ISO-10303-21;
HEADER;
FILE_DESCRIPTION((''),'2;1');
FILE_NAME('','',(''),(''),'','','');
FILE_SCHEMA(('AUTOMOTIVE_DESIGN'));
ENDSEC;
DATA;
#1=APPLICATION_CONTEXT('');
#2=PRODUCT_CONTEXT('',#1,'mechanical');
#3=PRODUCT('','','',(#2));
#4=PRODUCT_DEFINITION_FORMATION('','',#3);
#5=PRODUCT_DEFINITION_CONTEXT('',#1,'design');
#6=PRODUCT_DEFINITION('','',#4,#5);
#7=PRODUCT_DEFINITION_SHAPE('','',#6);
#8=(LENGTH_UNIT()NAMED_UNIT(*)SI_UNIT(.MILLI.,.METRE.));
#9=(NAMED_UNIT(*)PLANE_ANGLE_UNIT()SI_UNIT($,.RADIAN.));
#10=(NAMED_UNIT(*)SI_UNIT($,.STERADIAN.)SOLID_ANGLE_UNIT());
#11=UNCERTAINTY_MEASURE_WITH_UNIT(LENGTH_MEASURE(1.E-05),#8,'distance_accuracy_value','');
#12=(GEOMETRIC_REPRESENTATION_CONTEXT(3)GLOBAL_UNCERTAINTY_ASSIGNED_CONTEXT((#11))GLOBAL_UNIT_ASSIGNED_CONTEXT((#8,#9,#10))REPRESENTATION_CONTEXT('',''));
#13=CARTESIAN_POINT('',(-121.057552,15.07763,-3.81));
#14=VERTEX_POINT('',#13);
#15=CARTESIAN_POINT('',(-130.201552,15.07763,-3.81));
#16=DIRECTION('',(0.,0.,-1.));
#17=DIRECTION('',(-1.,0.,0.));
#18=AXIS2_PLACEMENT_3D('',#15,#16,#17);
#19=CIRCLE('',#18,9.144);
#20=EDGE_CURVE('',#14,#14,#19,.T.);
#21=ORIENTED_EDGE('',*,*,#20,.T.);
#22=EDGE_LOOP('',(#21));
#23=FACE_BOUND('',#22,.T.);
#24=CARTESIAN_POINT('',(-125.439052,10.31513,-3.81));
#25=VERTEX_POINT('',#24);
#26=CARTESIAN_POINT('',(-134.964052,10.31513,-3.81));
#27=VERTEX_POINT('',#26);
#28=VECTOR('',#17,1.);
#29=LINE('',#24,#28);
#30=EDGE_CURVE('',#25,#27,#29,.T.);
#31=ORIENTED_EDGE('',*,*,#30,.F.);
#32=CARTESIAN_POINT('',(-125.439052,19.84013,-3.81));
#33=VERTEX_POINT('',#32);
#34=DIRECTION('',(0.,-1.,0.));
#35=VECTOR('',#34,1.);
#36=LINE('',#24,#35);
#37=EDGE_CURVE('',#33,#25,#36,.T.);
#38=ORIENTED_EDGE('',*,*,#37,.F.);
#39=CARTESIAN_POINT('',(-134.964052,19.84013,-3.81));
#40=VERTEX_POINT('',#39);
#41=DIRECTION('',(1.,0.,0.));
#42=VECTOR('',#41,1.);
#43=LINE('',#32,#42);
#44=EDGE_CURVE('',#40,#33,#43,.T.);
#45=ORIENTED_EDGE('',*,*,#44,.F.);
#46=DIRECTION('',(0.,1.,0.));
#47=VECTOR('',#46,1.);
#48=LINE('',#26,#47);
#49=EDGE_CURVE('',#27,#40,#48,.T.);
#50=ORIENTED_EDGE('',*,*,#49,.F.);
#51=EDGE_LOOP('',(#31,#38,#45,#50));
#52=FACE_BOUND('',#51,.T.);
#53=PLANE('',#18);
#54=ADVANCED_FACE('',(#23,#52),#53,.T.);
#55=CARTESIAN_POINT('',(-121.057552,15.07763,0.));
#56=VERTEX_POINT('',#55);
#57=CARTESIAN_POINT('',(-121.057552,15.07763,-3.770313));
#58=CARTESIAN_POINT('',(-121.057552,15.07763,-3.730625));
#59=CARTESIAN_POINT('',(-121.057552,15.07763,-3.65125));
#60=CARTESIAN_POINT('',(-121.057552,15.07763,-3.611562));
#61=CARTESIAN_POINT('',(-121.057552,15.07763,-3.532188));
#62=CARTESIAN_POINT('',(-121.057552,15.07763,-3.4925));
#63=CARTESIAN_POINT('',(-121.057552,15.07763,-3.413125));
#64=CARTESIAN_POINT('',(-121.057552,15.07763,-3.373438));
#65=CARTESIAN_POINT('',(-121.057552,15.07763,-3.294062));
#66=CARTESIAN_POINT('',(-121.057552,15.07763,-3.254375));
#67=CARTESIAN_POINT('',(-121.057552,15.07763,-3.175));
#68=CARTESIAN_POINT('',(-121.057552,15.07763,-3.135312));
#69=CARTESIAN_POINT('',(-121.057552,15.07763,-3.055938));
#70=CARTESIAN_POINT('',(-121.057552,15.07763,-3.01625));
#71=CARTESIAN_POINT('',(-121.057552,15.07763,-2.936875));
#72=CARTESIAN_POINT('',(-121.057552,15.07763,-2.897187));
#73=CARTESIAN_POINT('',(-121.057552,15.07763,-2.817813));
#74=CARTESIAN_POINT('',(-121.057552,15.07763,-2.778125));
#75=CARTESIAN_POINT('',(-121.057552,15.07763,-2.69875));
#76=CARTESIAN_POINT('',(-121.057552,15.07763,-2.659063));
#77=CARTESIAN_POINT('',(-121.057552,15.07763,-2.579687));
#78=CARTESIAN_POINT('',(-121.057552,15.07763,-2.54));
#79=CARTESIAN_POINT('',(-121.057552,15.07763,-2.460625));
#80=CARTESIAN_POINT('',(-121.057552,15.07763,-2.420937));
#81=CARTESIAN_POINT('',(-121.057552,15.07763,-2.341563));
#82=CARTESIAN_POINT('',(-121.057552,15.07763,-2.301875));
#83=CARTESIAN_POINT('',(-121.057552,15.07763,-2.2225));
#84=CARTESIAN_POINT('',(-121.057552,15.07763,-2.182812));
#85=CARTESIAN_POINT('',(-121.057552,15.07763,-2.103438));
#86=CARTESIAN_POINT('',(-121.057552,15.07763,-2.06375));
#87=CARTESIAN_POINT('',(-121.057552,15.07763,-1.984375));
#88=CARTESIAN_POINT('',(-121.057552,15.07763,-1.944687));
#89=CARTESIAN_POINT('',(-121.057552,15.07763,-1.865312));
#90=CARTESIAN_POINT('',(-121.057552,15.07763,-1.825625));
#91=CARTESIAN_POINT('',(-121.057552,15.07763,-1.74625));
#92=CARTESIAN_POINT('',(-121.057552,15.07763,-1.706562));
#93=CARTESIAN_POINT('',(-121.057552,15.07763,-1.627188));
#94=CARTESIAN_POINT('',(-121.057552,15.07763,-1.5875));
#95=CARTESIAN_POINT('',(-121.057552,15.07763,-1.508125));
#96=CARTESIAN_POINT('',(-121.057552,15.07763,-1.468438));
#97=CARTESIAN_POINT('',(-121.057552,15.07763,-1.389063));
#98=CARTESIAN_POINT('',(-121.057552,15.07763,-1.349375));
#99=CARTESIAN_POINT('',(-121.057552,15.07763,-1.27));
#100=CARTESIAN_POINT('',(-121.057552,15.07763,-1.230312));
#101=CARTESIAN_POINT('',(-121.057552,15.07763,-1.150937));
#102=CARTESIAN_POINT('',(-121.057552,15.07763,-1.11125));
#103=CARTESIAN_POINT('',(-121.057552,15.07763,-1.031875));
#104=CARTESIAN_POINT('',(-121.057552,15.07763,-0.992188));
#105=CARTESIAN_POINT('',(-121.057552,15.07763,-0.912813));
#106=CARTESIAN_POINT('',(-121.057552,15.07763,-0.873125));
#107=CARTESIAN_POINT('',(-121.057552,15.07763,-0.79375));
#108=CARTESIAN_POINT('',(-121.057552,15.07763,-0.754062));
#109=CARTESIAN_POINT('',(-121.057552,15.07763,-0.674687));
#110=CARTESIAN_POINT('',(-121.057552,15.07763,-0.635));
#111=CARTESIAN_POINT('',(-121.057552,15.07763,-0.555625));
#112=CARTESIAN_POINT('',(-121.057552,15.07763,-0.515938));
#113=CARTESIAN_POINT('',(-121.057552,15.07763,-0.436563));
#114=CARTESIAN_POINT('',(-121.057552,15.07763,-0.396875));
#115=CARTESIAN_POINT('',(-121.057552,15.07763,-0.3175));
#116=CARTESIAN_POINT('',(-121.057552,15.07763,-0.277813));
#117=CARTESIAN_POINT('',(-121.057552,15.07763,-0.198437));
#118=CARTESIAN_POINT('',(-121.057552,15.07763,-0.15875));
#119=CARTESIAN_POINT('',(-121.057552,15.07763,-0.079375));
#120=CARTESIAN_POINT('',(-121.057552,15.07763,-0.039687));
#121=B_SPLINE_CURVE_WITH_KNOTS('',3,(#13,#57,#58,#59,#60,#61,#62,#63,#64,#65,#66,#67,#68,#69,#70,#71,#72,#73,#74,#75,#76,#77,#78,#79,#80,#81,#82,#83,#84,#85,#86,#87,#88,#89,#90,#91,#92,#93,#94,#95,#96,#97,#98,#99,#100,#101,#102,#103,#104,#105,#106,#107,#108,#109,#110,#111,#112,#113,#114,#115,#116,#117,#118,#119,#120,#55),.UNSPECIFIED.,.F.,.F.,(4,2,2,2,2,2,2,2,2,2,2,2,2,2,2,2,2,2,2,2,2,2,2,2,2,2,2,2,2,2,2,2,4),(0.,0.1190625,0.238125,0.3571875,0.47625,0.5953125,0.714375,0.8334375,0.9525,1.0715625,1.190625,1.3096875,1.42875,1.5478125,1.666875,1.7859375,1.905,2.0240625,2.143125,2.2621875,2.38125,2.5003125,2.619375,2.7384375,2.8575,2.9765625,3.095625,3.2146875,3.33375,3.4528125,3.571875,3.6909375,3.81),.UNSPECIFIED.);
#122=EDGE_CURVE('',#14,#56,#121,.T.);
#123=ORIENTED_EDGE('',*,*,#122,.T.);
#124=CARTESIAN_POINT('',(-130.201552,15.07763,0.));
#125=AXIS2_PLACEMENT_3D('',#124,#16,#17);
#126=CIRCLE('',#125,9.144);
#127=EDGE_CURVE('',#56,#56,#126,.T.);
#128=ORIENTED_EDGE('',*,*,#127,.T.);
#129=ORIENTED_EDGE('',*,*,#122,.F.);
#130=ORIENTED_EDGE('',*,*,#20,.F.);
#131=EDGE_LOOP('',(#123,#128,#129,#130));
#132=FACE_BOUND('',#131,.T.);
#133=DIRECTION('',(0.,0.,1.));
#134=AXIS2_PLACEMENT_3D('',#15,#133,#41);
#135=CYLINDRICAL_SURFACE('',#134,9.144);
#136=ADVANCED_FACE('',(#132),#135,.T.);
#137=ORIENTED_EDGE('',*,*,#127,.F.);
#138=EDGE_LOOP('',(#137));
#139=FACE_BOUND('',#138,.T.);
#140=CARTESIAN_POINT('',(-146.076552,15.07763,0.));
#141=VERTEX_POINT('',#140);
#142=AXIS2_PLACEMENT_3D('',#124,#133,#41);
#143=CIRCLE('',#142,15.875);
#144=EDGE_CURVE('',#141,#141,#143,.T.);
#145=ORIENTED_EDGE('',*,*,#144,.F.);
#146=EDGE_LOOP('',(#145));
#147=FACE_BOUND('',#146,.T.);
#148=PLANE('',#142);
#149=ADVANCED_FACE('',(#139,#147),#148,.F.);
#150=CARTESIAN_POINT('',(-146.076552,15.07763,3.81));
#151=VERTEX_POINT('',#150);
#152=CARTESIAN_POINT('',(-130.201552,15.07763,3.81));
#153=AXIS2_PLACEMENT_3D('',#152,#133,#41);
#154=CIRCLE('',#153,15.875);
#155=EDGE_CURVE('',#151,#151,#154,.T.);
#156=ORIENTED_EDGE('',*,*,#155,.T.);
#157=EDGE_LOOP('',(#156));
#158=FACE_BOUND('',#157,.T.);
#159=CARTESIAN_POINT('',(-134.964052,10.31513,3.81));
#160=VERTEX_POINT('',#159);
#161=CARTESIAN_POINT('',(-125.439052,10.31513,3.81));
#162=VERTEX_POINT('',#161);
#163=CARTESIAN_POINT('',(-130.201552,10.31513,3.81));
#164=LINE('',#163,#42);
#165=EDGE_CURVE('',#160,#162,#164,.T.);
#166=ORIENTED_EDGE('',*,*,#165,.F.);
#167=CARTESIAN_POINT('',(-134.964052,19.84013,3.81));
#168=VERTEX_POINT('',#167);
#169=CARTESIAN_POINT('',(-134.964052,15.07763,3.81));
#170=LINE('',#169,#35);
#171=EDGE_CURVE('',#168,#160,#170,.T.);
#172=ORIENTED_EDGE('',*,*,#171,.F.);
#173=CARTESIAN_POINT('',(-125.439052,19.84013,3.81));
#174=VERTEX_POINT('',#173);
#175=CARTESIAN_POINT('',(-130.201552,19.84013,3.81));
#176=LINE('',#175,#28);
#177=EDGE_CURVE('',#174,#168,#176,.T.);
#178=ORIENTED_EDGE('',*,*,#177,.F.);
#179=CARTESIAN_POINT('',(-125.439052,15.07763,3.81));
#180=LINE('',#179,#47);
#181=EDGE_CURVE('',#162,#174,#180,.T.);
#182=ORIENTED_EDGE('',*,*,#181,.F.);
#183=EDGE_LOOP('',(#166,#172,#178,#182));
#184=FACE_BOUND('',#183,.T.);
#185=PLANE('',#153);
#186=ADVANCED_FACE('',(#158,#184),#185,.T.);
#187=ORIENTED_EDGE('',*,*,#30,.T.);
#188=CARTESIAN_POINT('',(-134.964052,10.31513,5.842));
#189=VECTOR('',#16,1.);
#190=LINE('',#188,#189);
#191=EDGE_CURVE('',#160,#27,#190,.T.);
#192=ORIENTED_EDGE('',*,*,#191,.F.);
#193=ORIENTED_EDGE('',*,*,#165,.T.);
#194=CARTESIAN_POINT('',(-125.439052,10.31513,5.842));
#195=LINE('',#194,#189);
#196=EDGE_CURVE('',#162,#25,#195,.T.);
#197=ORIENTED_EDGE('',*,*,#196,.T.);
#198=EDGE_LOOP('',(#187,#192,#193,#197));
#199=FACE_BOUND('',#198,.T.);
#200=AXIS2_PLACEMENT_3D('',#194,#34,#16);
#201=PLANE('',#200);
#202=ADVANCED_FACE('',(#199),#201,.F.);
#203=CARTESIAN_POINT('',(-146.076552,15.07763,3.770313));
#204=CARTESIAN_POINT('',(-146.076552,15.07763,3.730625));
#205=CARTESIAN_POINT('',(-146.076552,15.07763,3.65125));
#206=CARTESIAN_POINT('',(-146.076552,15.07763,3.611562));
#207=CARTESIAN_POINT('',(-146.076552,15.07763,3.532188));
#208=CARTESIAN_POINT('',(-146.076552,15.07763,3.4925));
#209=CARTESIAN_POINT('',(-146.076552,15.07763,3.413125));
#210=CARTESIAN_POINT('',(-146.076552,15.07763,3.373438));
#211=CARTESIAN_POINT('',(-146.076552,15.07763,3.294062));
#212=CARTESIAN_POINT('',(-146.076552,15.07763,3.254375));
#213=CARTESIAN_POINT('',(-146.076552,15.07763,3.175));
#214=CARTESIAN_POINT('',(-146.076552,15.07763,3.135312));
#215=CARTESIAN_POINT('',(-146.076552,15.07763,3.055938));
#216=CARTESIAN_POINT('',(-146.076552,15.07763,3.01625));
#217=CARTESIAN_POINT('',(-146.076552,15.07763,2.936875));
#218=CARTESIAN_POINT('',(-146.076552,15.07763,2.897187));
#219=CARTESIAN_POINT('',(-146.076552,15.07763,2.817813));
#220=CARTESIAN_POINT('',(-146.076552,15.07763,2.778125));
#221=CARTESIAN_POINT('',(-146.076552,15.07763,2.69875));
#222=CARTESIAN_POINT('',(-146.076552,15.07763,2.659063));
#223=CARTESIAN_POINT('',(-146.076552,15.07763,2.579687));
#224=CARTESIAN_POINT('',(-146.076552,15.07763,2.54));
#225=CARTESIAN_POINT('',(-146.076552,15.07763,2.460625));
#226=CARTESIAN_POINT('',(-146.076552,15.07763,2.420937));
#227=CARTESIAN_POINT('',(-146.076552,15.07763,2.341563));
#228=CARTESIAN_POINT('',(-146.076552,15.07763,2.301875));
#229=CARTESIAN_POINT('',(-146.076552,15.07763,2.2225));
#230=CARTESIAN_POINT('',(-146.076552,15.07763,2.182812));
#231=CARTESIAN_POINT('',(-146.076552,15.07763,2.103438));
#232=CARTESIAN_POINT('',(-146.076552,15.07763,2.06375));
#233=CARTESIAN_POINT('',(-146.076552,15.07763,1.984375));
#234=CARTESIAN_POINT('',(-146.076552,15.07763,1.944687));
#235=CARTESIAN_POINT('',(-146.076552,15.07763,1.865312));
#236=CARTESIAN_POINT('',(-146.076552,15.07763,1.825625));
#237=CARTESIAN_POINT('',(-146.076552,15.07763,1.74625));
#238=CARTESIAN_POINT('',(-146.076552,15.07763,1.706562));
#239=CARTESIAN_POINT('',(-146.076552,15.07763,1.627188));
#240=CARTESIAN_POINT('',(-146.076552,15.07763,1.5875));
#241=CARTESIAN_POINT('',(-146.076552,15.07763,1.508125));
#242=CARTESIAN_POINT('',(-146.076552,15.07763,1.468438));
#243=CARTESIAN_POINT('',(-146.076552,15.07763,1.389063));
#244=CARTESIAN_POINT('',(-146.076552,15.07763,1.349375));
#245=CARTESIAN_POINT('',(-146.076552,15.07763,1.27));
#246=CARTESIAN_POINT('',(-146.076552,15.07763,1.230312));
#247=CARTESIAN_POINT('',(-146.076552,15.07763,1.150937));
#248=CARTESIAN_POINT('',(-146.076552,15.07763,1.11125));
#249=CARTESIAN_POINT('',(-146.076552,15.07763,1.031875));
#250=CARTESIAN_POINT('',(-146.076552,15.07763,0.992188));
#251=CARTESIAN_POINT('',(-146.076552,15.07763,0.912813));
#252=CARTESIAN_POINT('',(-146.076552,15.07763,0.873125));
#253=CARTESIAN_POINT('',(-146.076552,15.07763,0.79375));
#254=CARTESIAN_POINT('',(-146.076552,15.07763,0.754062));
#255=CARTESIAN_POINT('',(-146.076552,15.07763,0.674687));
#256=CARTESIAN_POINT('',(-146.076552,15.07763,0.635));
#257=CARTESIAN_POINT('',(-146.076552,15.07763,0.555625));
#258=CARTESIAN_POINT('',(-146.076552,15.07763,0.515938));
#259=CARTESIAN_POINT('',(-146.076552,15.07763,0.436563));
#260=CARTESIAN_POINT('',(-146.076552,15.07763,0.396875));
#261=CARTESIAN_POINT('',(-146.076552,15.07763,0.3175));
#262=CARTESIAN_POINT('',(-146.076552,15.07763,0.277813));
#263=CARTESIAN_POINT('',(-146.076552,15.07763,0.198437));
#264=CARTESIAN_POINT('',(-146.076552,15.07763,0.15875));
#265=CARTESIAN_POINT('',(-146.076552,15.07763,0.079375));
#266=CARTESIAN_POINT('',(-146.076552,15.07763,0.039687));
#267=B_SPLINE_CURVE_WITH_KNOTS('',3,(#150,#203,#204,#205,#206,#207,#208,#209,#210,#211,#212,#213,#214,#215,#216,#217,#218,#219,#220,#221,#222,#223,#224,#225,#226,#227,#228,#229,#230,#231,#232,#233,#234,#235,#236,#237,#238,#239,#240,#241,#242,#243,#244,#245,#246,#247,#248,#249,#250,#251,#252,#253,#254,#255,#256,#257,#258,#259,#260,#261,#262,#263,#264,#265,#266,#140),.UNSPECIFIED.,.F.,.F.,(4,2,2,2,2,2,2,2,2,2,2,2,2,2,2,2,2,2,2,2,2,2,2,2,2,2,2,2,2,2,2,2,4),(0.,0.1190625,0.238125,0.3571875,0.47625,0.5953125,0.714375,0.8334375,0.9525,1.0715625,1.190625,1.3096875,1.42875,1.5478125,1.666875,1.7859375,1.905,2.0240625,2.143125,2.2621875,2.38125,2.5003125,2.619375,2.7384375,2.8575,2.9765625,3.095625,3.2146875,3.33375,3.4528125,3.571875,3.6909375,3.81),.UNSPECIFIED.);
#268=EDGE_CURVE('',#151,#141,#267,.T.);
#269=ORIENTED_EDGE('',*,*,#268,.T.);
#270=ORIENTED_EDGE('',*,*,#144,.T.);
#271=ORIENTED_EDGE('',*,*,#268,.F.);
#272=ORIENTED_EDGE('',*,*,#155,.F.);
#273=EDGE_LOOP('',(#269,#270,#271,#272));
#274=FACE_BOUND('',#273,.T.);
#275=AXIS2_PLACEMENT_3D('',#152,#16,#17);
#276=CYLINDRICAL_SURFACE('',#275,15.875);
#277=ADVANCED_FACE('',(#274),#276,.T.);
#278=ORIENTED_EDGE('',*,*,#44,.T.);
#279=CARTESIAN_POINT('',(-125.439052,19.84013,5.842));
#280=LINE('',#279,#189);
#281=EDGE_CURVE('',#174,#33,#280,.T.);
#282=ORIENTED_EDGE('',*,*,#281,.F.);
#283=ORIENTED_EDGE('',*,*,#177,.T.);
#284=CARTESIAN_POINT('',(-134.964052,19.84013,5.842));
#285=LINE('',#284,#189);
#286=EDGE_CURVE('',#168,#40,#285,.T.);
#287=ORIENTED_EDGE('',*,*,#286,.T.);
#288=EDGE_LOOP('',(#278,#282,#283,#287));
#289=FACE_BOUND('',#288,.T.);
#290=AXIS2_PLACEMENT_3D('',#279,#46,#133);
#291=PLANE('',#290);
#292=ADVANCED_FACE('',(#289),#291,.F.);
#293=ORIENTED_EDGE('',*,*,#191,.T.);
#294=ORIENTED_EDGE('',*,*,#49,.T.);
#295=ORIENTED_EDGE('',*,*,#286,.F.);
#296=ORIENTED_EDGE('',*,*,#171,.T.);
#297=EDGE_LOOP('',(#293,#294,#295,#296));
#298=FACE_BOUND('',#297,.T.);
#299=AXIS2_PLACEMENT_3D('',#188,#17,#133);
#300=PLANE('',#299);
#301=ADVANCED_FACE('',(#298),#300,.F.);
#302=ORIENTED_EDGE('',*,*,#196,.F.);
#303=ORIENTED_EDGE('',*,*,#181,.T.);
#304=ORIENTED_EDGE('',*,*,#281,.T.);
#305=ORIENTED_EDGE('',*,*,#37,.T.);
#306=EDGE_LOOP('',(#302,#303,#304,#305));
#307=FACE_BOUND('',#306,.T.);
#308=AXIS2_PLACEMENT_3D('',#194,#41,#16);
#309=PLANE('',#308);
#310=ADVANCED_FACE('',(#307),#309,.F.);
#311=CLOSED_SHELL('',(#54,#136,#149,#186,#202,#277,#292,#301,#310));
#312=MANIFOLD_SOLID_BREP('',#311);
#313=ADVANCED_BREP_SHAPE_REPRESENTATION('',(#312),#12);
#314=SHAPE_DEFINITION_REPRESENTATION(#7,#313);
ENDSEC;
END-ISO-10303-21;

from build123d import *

# Parameters (mm, degrees)
SKETCH1_R           = 15.875
BOSS_EXTRUDE1_DEPTH = 3.81
SKETCH2_R           = 9.144
BOSS_EXTRUDE2_DEPTH = 3.81
SKETCH3_W           = 9.525
SKETCH3_H           = 9.525
CUT_EXTRUDE1_DEPTH  = 9.652


with BuildPart() as part:
    # Sketch1 → Boss-Extrude1 (new body)
    with BuildSketch(Plane.XY):
        with Locations(Location((-130.201551665, 15.077630219, 0), (0, 0, 180))):
            Circle(SKETCH1_R)
    extrude(amount=BOSS_EXTRUDE1_DEPTH)

    # Sketch2 → Boss-Extrude2 (add)
    with BuildSketch(Plane(origin=(0, 0, 0), x_dir=(-1, 0, 0), z_dir=(0, 0, -1))):
        with Locations(Location((130.201551665, 15.077630219, 0), (0, 0, 180))):
            Circle(SKETCH2_R)
    extrude(amount=BOSS_EXTRUDE2_DEPTH)

    # Sketch3 → Cut-Extrude1 (cut)
    with BuildSketch(Plane(origin=(0, 0, -3.81), x_dir=(-1, 0, 0), z_dir=(0, 0, -1))):
        with Locations((130.201551665, 15.077630219)):
            Rectangle(SKETCH3_W, SKETCH3_H)
    extrude(amount=-CUT_EXTRUDE1_DEPTH, mode=Mode.SUBTRACT)


solid = part.part
